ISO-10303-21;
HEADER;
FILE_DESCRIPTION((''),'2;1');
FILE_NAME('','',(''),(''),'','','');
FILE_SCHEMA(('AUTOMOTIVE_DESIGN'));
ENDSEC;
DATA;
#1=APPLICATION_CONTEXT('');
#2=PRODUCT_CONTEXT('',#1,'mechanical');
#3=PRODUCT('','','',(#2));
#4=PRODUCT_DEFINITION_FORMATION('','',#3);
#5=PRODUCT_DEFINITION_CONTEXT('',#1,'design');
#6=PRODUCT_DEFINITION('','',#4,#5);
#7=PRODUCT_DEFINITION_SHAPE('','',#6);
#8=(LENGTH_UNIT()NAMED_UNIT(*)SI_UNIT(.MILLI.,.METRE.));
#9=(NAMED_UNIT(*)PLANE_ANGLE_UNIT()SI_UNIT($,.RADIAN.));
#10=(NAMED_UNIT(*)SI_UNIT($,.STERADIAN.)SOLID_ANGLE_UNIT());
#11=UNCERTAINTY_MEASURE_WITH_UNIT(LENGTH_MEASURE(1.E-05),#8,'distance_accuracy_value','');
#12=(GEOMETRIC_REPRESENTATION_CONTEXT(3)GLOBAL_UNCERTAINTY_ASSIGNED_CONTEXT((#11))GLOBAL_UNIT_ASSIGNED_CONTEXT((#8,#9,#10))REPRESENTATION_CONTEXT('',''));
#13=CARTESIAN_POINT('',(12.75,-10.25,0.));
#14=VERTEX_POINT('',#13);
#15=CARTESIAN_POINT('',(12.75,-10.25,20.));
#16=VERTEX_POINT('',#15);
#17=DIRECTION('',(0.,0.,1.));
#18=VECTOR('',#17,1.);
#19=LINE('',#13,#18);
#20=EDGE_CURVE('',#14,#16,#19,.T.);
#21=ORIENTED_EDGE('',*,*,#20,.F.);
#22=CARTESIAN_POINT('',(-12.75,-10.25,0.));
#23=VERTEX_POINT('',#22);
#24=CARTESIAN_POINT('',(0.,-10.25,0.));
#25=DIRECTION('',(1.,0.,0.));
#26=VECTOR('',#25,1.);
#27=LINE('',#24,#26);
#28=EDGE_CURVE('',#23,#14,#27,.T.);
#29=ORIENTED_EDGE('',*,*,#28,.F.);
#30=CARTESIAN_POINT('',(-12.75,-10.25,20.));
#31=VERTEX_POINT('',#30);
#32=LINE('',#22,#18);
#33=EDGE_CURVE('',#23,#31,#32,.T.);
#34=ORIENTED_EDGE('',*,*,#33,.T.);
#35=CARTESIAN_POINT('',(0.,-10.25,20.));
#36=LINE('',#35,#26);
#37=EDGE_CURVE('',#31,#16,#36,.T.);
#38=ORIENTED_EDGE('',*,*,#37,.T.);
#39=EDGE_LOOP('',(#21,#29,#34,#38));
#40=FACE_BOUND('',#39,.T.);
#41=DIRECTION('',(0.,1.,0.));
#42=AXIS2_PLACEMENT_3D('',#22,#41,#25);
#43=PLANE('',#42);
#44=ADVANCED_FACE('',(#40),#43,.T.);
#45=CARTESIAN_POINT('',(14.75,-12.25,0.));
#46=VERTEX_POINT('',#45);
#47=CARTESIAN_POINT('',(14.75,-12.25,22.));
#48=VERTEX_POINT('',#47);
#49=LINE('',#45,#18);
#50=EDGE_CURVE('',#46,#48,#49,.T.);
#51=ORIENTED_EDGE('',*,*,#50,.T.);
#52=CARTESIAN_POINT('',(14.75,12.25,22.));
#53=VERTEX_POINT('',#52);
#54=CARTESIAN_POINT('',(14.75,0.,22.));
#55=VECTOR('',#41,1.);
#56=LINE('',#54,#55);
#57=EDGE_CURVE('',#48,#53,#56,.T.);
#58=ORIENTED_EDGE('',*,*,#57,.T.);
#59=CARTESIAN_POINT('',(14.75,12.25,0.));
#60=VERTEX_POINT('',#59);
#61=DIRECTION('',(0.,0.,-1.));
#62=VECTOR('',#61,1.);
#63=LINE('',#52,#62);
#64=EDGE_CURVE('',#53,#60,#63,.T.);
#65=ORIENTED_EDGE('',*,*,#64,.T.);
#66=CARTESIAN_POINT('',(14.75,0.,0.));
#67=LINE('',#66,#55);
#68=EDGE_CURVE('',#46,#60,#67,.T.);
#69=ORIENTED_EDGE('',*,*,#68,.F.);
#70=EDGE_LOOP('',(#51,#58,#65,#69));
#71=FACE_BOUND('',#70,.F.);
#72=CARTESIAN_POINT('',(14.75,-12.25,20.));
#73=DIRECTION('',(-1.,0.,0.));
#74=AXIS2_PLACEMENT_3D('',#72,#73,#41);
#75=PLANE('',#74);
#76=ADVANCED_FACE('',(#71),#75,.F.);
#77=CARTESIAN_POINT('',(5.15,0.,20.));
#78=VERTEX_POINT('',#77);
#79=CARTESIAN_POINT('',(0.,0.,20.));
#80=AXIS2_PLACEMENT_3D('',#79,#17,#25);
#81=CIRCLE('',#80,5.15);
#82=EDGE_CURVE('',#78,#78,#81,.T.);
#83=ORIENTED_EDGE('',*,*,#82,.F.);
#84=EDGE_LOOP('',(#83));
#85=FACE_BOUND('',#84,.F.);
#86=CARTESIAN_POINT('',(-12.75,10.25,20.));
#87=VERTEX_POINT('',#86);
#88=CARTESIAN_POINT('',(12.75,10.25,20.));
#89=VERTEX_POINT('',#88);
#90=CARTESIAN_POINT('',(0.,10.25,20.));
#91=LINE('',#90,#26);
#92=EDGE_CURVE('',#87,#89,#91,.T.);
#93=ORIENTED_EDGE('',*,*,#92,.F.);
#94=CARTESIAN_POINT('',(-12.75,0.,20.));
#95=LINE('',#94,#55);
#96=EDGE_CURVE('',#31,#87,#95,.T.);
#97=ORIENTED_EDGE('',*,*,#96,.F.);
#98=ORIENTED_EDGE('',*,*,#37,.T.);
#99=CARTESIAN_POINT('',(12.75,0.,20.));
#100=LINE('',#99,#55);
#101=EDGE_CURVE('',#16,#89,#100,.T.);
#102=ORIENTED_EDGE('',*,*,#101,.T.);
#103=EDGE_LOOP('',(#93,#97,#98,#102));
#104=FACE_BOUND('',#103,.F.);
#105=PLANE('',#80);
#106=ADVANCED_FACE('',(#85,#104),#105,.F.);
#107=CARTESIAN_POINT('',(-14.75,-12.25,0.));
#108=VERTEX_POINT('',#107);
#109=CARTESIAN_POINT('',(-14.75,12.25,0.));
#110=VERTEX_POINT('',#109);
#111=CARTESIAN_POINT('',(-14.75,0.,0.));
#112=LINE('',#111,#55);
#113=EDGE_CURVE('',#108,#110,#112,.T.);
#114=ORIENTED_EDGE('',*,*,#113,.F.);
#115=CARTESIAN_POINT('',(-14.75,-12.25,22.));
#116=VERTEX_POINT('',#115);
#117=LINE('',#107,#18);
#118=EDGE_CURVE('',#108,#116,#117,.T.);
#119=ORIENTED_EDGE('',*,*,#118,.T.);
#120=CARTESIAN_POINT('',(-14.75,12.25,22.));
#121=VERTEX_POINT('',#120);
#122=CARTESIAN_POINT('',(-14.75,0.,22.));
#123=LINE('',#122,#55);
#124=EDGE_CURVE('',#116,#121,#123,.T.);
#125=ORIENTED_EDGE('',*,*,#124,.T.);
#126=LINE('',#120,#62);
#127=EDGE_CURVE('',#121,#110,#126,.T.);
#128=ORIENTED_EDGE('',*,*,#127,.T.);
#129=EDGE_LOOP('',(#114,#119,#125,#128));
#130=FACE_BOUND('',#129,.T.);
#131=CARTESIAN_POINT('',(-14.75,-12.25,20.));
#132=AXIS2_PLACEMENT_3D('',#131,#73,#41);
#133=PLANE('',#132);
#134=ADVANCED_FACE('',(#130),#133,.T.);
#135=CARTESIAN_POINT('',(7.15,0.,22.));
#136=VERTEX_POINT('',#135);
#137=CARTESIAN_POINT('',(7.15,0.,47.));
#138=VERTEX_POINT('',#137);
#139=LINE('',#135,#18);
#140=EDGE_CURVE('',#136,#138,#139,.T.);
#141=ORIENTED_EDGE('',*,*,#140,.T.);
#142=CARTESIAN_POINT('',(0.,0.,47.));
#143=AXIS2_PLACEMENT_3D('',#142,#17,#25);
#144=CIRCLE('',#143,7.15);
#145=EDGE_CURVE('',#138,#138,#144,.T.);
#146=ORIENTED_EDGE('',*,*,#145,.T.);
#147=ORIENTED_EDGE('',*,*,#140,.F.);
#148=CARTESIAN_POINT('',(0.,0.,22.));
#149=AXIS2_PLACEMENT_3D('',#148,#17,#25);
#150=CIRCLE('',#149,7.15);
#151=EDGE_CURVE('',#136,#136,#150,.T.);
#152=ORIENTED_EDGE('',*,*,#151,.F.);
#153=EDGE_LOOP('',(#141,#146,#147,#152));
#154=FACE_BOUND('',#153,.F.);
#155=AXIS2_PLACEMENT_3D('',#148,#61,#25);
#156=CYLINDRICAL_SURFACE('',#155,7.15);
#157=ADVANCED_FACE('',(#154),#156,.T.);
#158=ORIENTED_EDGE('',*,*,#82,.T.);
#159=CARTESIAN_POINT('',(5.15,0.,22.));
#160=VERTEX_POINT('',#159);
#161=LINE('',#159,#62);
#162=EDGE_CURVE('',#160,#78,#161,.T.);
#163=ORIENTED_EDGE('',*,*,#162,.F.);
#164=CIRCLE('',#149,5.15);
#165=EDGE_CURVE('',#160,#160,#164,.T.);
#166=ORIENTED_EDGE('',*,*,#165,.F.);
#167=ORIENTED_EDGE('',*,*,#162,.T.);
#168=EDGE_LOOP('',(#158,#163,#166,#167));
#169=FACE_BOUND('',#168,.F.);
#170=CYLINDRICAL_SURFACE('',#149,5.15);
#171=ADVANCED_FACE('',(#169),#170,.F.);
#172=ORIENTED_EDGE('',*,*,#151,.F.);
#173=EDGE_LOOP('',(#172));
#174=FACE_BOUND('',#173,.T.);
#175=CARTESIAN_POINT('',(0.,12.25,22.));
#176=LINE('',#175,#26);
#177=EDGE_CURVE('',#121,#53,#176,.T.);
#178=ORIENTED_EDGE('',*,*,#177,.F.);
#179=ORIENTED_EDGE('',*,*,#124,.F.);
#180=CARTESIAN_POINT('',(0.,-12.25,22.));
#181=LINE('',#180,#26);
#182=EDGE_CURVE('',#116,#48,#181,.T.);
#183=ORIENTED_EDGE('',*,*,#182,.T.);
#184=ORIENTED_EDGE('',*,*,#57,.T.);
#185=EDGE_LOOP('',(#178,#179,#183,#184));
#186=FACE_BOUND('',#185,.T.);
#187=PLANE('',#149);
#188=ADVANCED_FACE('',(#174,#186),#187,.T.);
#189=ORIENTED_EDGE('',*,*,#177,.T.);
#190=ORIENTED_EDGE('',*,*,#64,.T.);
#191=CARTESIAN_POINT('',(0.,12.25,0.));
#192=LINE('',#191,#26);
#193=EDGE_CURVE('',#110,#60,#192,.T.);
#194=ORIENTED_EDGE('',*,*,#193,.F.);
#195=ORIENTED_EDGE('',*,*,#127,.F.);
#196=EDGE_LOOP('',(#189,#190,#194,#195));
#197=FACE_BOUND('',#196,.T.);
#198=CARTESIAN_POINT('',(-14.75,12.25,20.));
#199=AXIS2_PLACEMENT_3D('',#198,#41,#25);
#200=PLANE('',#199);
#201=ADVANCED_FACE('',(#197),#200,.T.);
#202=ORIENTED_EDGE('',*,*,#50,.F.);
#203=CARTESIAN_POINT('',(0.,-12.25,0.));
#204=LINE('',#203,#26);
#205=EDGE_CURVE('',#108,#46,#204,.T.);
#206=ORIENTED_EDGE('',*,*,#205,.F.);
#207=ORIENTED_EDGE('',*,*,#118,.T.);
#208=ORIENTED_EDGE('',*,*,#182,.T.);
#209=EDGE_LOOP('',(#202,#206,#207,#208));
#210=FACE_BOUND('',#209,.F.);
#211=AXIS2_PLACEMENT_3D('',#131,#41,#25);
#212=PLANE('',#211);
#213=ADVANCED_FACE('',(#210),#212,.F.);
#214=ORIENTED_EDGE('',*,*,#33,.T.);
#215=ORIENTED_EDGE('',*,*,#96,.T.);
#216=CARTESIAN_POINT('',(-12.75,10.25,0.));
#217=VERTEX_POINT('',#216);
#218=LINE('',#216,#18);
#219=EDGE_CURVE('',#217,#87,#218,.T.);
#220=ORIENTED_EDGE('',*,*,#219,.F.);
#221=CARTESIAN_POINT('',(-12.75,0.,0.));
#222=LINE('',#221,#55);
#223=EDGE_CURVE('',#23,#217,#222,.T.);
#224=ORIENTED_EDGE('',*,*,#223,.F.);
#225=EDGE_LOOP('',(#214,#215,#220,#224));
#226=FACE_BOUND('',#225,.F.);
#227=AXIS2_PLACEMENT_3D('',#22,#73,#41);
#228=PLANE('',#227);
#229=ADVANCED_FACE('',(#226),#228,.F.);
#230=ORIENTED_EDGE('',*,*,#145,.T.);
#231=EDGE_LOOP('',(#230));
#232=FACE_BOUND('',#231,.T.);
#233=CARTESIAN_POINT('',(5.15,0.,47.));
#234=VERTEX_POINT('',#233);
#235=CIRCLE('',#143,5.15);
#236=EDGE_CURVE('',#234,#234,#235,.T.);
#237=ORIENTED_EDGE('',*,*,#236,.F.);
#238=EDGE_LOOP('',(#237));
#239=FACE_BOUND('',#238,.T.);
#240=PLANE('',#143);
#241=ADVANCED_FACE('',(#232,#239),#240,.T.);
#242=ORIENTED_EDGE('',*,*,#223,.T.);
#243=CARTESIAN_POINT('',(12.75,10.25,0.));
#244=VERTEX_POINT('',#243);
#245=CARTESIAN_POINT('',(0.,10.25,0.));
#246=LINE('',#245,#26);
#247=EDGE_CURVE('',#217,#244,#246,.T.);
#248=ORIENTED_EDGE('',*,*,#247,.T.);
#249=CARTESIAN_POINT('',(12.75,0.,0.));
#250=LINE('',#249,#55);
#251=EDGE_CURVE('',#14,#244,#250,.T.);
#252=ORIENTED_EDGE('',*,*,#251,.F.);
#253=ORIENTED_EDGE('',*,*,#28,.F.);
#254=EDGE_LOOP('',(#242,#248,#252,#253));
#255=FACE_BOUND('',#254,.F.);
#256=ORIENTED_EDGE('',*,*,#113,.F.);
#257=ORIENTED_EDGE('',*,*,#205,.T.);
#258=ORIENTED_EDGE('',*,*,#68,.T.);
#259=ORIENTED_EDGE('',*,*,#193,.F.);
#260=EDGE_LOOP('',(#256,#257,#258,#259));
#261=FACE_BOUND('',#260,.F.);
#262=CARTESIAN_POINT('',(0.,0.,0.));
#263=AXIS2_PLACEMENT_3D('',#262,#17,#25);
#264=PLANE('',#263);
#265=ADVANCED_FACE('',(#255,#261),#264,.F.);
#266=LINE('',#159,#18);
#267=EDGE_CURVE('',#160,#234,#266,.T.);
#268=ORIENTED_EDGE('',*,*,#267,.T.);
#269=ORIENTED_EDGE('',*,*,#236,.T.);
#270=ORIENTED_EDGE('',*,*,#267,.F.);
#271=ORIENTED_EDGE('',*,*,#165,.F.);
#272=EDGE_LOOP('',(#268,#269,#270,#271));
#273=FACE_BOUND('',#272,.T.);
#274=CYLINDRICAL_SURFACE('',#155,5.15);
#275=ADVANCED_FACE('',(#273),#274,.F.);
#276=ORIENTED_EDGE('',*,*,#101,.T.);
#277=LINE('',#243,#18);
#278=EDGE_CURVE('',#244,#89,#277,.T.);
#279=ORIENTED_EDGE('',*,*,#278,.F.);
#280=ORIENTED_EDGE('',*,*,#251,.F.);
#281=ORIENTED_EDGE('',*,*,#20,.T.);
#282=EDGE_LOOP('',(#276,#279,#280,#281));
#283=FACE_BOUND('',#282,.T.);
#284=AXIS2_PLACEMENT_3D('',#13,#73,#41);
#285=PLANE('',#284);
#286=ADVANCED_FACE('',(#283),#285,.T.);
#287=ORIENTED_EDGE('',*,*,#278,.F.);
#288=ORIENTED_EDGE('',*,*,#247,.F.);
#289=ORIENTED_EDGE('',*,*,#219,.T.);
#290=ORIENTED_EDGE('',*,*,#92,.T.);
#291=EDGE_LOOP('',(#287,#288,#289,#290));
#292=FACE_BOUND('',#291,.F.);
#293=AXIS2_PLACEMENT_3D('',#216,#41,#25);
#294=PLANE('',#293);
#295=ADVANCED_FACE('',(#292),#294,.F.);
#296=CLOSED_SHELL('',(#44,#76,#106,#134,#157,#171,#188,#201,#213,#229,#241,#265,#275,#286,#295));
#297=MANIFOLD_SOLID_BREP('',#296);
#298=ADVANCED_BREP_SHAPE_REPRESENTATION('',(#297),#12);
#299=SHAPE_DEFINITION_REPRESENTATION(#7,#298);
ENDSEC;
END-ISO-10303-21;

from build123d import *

# Parameters (mm, degrees)
F0_W      = 29.5
F0_H      = 24.5
F0_W_2    = 25.5
F0_H_2    = 20.5
F1_DEPTH  = 20
F2_W      = 29.5
F2_H      = 24.5
F3_DEPTH  = 2
F4_R      = 7.15
F4_R_2    = 5.15
F5_DEPTH  = 25
F5_FACE_R = 5.15
F6_DEPTH  = 25


with BuildPart() as f1:
    # F0 (on Top) → F1 (new body)
    with BuildSketch(Plane.XY):
        Rectangle(F0_W, F0_H)
        Rectangle(F0_W_2, F0_H_2, mode=Mode.SUBTRACT)
    extrude(amount=F1_DEPTH)

    # F2 (on face) → F3 (join)
    with BuildSketch(Plane.XY.offset(20)):
        Rectangle(F2_W, F2_H)
    extrude(amount=F3_DEPTH)

    # F4 (on face) → F5 (join)
    with BuildSketch(Plane.XY.offset(22)):
        Circle(F4_R)
        Circle(F4_R_2, mode=Mode.SUBTRACT)
    extrude(amount=F5_DEPTH)

    # F5_face (on face) → F6 (cut)
    with BuildSketch(Plane.XY.offset(22)):
        Circle(F5_FACE_R)
    extrude(amount=-F6_DEPTH, mode=Mode.SUBTRACT)


solid = f1.part
